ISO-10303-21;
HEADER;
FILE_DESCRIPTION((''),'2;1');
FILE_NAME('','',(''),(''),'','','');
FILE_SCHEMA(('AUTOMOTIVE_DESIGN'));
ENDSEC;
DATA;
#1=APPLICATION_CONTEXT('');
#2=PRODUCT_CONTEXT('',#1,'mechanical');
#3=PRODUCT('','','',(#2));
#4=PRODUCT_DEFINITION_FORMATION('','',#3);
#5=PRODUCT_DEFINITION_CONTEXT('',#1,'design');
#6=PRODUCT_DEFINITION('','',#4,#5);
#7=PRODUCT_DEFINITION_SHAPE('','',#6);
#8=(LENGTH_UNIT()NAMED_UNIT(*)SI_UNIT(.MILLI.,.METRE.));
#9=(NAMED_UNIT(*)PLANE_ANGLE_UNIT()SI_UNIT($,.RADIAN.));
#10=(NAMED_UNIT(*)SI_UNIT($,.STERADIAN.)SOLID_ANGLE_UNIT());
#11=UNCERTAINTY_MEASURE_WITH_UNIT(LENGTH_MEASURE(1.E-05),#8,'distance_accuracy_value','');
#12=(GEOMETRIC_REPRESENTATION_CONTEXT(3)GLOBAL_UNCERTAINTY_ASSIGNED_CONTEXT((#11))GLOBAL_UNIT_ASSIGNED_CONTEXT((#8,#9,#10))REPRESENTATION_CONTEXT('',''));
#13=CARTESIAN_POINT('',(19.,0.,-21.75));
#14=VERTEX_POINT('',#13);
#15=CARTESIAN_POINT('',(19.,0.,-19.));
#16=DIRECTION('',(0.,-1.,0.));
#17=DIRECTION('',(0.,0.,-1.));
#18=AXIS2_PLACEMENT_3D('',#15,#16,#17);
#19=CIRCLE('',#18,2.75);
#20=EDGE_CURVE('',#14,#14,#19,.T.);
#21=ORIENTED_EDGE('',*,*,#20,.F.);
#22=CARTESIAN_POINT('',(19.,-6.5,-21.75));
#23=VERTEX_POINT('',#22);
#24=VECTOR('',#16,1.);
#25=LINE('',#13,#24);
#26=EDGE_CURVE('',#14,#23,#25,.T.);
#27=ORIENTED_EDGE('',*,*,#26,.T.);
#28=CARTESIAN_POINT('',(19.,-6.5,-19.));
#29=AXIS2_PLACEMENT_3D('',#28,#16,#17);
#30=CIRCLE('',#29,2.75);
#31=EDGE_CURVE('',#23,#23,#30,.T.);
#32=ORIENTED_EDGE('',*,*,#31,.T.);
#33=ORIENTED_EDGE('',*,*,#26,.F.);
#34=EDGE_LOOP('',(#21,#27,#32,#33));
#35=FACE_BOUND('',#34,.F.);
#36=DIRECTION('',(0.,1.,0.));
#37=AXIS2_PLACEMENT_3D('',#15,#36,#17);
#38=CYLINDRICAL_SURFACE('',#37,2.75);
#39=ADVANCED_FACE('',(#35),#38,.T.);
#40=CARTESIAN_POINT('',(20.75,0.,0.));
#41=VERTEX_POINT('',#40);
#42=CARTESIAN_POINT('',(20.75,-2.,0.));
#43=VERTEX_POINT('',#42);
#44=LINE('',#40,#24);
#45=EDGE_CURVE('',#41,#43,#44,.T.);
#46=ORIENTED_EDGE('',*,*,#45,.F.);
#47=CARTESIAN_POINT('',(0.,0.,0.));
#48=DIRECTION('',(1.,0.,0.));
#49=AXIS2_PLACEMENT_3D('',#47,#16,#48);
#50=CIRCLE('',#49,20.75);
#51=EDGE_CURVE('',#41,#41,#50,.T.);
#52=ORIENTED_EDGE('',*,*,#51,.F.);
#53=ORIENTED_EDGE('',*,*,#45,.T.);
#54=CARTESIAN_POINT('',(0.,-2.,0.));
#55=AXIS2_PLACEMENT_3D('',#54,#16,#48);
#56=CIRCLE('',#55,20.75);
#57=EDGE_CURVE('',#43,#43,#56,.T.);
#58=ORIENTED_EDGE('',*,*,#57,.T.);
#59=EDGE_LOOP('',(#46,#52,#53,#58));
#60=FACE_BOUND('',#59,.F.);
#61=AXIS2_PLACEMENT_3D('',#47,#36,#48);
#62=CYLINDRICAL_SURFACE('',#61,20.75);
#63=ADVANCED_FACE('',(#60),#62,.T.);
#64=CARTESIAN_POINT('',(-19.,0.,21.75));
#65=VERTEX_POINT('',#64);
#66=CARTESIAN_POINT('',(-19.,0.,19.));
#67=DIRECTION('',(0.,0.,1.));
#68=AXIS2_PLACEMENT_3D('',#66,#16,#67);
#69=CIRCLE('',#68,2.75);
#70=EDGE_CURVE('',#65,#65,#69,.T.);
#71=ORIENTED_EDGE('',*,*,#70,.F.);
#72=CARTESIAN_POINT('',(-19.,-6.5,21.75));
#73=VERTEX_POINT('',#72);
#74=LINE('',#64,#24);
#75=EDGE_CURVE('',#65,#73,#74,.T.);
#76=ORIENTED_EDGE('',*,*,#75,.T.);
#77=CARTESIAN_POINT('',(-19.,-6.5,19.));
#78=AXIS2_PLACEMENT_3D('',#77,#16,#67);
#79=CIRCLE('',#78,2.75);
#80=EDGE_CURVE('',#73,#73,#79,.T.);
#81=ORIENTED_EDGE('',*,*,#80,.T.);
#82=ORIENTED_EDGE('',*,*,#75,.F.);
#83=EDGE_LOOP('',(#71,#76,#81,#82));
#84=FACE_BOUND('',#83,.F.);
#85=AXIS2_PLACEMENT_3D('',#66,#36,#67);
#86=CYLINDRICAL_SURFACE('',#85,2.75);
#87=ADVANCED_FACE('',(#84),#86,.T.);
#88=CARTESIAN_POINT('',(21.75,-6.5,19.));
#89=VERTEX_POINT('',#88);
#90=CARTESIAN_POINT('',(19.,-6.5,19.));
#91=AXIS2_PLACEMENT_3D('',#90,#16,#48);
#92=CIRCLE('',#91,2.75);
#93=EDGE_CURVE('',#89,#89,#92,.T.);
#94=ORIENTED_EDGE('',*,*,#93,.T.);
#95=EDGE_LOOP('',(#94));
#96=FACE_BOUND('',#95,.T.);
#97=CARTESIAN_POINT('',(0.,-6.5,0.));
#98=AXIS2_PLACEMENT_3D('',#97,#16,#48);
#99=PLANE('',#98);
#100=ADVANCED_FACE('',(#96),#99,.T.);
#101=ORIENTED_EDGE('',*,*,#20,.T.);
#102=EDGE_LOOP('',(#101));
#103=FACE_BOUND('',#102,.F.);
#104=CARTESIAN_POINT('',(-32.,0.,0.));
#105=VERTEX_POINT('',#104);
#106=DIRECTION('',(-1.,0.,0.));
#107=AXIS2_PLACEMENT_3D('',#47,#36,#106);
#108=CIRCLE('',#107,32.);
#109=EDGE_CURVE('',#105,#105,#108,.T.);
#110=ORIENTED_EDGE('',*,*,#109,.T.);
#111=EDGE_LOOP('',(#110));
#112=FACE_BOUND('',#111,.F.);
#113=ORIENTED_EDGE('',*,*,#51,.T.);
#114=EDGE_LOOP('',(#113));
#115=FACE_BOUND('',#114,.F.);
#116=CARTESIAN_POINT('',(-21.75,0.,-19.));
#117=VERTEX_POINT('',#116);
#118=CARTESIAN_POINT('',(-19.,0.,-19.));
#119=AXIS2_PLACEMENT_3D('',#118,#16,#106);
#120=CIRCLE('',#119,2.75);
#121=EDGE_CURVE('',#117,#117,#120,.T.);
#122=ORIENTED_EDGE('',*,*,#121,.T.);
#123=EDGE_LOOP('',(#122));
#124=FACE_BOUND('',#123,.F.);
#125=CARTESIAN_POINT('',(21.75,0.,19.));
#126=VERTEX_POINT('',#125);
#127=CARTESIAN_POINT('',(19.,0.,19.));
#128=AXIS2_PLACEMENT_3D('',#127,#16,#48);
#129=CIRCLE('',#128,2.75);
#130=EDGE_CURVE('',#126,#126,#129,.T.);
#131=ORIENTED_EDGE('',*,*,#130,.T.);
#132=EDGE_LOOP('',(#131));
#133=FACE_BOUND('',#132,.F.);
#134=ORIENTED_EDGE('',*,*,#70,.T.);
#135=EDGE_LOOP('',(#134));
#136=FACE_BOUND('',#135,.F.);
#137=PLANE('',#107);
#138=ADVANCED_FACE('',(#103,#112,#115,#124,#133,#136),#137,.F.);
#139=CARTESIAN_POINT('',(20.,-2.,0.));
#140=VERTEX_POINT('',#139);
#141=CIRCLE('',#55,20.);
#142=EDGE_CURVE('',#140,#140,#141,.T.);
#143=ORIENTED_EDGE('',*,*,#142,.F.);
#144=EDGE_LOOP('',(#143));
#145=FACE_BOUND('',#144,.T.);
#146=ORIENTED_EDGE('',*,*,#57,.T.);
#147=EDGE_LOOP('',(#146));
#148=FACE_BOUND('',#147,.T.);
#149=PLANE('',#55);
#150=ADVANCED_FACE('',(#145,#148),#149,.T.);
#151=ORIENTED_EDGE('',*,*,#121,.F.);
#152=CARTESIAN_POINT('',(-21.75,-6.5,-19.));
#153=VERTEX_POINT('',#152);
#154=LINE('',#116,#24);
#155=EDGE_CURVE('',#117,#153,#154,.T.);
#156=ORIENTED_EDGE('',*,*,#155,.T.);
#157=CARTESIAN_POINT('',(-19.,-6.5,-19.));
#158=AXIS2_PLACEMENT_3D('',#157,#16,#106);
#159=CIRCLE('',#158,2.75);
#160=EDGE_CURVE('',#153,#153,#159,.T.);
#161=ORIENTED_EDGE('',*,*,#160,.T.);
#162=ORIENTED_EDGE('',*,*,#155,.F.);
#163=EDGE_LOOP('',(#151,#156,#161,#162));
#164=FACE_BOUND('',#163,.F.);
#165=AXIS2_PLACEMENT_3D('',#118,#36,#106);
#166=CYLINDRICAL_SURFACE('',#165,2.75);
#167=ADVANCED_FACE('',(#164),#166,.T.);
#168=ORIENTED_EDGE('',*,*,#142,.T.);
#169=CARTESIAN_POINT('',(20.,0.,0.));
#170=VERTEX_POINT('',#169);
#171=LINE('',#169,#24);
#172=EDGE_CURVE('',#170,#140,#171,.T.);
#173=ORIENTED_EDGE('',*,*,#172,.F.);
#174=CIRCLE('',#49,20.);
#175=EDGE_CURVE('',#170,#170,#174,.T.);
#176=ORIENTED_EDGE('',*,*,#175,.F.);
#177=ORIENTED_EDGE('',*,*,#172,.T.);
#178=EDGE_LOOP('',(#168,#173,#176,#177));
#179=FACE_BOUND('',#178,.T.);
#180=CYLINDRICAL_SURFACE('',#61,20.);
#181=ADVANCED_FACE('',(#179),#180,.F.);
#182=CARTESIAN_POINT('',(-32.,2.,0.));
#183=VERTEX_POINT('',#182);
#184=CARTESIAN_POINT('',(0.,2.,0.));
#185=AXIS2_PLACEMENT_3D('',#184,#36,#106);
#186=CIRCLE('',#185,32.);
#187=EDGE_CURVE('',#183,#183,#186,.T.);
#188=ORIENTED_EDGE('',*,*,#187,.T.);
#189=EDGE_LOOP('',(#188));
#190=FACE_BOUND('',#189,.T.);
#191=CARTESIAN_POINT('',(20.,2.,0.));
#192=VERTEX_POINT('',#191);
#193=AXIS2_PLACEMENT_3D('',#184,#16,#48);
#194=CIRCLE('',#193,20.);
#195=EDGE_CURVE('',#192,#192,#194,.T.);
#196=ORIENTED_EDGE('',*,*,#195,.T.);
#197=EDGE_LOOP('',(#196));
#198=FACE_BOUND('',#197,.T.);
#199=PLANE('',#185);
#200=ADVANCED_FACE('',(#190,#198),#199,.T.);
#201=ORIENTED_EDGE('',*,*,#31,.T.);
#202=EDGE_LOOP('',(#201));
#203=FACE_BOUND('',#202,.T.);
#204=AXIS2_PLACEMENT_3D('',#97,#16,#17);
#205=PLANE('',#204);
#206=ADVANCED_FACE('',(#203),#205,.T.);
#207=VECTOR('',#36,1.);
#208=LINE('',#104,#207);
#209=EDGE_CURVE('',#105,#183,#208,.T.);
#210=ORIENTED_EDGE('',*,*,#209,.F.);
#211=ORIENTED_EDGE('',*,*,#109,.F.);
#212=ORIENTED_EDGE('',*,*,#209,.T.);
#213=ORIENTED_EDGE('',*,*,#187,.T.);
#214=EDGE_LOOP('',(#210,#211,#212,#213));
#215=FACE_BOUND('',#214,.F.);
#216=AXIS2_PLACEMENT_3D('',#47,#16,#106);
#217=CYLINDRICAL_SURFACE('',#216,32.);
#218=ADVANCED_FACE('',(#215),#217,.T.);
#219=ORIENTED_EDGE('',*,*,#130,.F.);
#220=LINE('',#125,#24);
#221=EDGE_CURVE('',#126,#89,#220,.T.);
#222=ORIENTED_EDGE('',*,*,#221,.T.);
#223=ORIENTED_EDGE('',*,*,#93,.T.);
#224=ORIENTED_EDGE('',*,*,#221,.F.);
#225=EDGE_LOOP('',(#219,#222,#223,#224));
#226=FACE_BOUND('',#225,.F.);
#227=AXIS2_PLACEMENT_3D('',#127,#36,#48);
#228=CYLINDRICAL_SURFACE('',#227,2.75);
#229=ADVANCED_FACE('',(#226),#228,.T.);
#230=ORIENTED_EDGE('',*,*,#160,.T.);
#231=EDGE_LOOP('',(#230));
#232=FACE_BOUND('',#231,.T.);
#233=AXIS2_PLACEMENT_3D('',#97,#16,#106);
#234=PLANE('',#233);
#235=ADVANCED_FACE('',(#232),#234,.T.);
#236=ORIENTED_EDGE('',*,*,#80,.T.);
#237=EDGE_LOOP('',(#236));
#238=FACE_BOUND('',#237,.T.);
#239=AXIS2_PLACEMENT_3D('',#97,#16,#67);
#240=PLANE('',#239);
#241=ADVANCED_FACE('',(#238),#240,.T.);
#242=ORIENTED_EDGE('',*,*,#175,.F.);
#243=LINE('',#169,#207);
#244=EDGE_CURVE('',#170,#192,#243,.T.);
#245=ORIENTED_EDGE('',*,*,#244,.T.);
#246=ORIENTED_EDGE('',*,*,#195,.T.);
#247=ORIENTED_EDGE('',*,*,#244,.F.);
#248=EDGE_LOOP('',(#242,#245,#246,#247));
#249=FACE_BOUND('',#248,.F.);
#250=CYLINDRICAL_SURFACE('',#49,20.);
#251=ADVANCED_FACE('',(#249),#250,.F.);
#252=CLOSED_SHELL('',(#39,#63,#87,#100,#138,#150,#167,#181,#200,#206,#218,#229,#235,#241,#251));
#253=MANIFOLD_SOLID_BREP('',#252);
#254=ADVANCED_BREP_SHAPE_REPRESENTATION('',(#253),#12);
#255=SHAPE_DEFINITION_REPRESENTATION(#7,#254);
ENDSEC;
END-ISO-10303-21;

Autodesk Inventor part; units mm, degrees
ref_plane "YZ Plane" through (0, 0, 0) normal (1, 0, 0) x (0, 1, 0)
ref_plane "XZ Plane" through (0, 0, 0) normal (0, 1, 0) x (-1, 0, 0)
ref_plane "XY Plane" through (0, 0, 0) normal (0, 0, 1) x (1, 0, 0)
sketch "Sketch1" plane through (0, 0, 0) normal (0, 1, 0) x (-1, 0, 0)
  circle A0 centre (0, 0) radius 32
  dimension "d0" = 64
extrude "Extrusion1" add sketch "Sketch1" along normal blind 2
sketch "Sketch2" plane through (0, 0, 0) normal (0, -1, 0) x (1, 0, 0)
  circle A0 centre (0, 0) radius 20.75
  circle A1 centre (0, 0) radius 20
  dimension "d3" = 41.5
  dimension "d4" = 40
extrude "Extrusion2" add sketch "Sketch2" along normal blind 2
sketch "Sketch3" plane through (0, 0, 0) normal (0, -1, 0) x (1, 0, 0)
  circle A0 centre (0, 0) radius 20 projected
extrude "Extrusion3" cut sketch "Sketch3" against normal blind 2
sketch "Sketch4" plane through (0, 0, 0) normal (0, -1, 0) x (1, 0, 0)
  circle A0 centre (19, 19) radius 2.75
  point P0 (0, 0)
  dimension "d9" = 5.5
  dimension "d10" = 19
  dimension "d11" = 19
extrude "Extrusion4" add sketch "Sketch4" along normal blind 6.5
pattern_circular "Circular Pattern1" count 4 over 360 about axis through (0, -10, 0) along (0, 1, 0) of "Extrusion4"
properties part number "pot_base_adapter1"
